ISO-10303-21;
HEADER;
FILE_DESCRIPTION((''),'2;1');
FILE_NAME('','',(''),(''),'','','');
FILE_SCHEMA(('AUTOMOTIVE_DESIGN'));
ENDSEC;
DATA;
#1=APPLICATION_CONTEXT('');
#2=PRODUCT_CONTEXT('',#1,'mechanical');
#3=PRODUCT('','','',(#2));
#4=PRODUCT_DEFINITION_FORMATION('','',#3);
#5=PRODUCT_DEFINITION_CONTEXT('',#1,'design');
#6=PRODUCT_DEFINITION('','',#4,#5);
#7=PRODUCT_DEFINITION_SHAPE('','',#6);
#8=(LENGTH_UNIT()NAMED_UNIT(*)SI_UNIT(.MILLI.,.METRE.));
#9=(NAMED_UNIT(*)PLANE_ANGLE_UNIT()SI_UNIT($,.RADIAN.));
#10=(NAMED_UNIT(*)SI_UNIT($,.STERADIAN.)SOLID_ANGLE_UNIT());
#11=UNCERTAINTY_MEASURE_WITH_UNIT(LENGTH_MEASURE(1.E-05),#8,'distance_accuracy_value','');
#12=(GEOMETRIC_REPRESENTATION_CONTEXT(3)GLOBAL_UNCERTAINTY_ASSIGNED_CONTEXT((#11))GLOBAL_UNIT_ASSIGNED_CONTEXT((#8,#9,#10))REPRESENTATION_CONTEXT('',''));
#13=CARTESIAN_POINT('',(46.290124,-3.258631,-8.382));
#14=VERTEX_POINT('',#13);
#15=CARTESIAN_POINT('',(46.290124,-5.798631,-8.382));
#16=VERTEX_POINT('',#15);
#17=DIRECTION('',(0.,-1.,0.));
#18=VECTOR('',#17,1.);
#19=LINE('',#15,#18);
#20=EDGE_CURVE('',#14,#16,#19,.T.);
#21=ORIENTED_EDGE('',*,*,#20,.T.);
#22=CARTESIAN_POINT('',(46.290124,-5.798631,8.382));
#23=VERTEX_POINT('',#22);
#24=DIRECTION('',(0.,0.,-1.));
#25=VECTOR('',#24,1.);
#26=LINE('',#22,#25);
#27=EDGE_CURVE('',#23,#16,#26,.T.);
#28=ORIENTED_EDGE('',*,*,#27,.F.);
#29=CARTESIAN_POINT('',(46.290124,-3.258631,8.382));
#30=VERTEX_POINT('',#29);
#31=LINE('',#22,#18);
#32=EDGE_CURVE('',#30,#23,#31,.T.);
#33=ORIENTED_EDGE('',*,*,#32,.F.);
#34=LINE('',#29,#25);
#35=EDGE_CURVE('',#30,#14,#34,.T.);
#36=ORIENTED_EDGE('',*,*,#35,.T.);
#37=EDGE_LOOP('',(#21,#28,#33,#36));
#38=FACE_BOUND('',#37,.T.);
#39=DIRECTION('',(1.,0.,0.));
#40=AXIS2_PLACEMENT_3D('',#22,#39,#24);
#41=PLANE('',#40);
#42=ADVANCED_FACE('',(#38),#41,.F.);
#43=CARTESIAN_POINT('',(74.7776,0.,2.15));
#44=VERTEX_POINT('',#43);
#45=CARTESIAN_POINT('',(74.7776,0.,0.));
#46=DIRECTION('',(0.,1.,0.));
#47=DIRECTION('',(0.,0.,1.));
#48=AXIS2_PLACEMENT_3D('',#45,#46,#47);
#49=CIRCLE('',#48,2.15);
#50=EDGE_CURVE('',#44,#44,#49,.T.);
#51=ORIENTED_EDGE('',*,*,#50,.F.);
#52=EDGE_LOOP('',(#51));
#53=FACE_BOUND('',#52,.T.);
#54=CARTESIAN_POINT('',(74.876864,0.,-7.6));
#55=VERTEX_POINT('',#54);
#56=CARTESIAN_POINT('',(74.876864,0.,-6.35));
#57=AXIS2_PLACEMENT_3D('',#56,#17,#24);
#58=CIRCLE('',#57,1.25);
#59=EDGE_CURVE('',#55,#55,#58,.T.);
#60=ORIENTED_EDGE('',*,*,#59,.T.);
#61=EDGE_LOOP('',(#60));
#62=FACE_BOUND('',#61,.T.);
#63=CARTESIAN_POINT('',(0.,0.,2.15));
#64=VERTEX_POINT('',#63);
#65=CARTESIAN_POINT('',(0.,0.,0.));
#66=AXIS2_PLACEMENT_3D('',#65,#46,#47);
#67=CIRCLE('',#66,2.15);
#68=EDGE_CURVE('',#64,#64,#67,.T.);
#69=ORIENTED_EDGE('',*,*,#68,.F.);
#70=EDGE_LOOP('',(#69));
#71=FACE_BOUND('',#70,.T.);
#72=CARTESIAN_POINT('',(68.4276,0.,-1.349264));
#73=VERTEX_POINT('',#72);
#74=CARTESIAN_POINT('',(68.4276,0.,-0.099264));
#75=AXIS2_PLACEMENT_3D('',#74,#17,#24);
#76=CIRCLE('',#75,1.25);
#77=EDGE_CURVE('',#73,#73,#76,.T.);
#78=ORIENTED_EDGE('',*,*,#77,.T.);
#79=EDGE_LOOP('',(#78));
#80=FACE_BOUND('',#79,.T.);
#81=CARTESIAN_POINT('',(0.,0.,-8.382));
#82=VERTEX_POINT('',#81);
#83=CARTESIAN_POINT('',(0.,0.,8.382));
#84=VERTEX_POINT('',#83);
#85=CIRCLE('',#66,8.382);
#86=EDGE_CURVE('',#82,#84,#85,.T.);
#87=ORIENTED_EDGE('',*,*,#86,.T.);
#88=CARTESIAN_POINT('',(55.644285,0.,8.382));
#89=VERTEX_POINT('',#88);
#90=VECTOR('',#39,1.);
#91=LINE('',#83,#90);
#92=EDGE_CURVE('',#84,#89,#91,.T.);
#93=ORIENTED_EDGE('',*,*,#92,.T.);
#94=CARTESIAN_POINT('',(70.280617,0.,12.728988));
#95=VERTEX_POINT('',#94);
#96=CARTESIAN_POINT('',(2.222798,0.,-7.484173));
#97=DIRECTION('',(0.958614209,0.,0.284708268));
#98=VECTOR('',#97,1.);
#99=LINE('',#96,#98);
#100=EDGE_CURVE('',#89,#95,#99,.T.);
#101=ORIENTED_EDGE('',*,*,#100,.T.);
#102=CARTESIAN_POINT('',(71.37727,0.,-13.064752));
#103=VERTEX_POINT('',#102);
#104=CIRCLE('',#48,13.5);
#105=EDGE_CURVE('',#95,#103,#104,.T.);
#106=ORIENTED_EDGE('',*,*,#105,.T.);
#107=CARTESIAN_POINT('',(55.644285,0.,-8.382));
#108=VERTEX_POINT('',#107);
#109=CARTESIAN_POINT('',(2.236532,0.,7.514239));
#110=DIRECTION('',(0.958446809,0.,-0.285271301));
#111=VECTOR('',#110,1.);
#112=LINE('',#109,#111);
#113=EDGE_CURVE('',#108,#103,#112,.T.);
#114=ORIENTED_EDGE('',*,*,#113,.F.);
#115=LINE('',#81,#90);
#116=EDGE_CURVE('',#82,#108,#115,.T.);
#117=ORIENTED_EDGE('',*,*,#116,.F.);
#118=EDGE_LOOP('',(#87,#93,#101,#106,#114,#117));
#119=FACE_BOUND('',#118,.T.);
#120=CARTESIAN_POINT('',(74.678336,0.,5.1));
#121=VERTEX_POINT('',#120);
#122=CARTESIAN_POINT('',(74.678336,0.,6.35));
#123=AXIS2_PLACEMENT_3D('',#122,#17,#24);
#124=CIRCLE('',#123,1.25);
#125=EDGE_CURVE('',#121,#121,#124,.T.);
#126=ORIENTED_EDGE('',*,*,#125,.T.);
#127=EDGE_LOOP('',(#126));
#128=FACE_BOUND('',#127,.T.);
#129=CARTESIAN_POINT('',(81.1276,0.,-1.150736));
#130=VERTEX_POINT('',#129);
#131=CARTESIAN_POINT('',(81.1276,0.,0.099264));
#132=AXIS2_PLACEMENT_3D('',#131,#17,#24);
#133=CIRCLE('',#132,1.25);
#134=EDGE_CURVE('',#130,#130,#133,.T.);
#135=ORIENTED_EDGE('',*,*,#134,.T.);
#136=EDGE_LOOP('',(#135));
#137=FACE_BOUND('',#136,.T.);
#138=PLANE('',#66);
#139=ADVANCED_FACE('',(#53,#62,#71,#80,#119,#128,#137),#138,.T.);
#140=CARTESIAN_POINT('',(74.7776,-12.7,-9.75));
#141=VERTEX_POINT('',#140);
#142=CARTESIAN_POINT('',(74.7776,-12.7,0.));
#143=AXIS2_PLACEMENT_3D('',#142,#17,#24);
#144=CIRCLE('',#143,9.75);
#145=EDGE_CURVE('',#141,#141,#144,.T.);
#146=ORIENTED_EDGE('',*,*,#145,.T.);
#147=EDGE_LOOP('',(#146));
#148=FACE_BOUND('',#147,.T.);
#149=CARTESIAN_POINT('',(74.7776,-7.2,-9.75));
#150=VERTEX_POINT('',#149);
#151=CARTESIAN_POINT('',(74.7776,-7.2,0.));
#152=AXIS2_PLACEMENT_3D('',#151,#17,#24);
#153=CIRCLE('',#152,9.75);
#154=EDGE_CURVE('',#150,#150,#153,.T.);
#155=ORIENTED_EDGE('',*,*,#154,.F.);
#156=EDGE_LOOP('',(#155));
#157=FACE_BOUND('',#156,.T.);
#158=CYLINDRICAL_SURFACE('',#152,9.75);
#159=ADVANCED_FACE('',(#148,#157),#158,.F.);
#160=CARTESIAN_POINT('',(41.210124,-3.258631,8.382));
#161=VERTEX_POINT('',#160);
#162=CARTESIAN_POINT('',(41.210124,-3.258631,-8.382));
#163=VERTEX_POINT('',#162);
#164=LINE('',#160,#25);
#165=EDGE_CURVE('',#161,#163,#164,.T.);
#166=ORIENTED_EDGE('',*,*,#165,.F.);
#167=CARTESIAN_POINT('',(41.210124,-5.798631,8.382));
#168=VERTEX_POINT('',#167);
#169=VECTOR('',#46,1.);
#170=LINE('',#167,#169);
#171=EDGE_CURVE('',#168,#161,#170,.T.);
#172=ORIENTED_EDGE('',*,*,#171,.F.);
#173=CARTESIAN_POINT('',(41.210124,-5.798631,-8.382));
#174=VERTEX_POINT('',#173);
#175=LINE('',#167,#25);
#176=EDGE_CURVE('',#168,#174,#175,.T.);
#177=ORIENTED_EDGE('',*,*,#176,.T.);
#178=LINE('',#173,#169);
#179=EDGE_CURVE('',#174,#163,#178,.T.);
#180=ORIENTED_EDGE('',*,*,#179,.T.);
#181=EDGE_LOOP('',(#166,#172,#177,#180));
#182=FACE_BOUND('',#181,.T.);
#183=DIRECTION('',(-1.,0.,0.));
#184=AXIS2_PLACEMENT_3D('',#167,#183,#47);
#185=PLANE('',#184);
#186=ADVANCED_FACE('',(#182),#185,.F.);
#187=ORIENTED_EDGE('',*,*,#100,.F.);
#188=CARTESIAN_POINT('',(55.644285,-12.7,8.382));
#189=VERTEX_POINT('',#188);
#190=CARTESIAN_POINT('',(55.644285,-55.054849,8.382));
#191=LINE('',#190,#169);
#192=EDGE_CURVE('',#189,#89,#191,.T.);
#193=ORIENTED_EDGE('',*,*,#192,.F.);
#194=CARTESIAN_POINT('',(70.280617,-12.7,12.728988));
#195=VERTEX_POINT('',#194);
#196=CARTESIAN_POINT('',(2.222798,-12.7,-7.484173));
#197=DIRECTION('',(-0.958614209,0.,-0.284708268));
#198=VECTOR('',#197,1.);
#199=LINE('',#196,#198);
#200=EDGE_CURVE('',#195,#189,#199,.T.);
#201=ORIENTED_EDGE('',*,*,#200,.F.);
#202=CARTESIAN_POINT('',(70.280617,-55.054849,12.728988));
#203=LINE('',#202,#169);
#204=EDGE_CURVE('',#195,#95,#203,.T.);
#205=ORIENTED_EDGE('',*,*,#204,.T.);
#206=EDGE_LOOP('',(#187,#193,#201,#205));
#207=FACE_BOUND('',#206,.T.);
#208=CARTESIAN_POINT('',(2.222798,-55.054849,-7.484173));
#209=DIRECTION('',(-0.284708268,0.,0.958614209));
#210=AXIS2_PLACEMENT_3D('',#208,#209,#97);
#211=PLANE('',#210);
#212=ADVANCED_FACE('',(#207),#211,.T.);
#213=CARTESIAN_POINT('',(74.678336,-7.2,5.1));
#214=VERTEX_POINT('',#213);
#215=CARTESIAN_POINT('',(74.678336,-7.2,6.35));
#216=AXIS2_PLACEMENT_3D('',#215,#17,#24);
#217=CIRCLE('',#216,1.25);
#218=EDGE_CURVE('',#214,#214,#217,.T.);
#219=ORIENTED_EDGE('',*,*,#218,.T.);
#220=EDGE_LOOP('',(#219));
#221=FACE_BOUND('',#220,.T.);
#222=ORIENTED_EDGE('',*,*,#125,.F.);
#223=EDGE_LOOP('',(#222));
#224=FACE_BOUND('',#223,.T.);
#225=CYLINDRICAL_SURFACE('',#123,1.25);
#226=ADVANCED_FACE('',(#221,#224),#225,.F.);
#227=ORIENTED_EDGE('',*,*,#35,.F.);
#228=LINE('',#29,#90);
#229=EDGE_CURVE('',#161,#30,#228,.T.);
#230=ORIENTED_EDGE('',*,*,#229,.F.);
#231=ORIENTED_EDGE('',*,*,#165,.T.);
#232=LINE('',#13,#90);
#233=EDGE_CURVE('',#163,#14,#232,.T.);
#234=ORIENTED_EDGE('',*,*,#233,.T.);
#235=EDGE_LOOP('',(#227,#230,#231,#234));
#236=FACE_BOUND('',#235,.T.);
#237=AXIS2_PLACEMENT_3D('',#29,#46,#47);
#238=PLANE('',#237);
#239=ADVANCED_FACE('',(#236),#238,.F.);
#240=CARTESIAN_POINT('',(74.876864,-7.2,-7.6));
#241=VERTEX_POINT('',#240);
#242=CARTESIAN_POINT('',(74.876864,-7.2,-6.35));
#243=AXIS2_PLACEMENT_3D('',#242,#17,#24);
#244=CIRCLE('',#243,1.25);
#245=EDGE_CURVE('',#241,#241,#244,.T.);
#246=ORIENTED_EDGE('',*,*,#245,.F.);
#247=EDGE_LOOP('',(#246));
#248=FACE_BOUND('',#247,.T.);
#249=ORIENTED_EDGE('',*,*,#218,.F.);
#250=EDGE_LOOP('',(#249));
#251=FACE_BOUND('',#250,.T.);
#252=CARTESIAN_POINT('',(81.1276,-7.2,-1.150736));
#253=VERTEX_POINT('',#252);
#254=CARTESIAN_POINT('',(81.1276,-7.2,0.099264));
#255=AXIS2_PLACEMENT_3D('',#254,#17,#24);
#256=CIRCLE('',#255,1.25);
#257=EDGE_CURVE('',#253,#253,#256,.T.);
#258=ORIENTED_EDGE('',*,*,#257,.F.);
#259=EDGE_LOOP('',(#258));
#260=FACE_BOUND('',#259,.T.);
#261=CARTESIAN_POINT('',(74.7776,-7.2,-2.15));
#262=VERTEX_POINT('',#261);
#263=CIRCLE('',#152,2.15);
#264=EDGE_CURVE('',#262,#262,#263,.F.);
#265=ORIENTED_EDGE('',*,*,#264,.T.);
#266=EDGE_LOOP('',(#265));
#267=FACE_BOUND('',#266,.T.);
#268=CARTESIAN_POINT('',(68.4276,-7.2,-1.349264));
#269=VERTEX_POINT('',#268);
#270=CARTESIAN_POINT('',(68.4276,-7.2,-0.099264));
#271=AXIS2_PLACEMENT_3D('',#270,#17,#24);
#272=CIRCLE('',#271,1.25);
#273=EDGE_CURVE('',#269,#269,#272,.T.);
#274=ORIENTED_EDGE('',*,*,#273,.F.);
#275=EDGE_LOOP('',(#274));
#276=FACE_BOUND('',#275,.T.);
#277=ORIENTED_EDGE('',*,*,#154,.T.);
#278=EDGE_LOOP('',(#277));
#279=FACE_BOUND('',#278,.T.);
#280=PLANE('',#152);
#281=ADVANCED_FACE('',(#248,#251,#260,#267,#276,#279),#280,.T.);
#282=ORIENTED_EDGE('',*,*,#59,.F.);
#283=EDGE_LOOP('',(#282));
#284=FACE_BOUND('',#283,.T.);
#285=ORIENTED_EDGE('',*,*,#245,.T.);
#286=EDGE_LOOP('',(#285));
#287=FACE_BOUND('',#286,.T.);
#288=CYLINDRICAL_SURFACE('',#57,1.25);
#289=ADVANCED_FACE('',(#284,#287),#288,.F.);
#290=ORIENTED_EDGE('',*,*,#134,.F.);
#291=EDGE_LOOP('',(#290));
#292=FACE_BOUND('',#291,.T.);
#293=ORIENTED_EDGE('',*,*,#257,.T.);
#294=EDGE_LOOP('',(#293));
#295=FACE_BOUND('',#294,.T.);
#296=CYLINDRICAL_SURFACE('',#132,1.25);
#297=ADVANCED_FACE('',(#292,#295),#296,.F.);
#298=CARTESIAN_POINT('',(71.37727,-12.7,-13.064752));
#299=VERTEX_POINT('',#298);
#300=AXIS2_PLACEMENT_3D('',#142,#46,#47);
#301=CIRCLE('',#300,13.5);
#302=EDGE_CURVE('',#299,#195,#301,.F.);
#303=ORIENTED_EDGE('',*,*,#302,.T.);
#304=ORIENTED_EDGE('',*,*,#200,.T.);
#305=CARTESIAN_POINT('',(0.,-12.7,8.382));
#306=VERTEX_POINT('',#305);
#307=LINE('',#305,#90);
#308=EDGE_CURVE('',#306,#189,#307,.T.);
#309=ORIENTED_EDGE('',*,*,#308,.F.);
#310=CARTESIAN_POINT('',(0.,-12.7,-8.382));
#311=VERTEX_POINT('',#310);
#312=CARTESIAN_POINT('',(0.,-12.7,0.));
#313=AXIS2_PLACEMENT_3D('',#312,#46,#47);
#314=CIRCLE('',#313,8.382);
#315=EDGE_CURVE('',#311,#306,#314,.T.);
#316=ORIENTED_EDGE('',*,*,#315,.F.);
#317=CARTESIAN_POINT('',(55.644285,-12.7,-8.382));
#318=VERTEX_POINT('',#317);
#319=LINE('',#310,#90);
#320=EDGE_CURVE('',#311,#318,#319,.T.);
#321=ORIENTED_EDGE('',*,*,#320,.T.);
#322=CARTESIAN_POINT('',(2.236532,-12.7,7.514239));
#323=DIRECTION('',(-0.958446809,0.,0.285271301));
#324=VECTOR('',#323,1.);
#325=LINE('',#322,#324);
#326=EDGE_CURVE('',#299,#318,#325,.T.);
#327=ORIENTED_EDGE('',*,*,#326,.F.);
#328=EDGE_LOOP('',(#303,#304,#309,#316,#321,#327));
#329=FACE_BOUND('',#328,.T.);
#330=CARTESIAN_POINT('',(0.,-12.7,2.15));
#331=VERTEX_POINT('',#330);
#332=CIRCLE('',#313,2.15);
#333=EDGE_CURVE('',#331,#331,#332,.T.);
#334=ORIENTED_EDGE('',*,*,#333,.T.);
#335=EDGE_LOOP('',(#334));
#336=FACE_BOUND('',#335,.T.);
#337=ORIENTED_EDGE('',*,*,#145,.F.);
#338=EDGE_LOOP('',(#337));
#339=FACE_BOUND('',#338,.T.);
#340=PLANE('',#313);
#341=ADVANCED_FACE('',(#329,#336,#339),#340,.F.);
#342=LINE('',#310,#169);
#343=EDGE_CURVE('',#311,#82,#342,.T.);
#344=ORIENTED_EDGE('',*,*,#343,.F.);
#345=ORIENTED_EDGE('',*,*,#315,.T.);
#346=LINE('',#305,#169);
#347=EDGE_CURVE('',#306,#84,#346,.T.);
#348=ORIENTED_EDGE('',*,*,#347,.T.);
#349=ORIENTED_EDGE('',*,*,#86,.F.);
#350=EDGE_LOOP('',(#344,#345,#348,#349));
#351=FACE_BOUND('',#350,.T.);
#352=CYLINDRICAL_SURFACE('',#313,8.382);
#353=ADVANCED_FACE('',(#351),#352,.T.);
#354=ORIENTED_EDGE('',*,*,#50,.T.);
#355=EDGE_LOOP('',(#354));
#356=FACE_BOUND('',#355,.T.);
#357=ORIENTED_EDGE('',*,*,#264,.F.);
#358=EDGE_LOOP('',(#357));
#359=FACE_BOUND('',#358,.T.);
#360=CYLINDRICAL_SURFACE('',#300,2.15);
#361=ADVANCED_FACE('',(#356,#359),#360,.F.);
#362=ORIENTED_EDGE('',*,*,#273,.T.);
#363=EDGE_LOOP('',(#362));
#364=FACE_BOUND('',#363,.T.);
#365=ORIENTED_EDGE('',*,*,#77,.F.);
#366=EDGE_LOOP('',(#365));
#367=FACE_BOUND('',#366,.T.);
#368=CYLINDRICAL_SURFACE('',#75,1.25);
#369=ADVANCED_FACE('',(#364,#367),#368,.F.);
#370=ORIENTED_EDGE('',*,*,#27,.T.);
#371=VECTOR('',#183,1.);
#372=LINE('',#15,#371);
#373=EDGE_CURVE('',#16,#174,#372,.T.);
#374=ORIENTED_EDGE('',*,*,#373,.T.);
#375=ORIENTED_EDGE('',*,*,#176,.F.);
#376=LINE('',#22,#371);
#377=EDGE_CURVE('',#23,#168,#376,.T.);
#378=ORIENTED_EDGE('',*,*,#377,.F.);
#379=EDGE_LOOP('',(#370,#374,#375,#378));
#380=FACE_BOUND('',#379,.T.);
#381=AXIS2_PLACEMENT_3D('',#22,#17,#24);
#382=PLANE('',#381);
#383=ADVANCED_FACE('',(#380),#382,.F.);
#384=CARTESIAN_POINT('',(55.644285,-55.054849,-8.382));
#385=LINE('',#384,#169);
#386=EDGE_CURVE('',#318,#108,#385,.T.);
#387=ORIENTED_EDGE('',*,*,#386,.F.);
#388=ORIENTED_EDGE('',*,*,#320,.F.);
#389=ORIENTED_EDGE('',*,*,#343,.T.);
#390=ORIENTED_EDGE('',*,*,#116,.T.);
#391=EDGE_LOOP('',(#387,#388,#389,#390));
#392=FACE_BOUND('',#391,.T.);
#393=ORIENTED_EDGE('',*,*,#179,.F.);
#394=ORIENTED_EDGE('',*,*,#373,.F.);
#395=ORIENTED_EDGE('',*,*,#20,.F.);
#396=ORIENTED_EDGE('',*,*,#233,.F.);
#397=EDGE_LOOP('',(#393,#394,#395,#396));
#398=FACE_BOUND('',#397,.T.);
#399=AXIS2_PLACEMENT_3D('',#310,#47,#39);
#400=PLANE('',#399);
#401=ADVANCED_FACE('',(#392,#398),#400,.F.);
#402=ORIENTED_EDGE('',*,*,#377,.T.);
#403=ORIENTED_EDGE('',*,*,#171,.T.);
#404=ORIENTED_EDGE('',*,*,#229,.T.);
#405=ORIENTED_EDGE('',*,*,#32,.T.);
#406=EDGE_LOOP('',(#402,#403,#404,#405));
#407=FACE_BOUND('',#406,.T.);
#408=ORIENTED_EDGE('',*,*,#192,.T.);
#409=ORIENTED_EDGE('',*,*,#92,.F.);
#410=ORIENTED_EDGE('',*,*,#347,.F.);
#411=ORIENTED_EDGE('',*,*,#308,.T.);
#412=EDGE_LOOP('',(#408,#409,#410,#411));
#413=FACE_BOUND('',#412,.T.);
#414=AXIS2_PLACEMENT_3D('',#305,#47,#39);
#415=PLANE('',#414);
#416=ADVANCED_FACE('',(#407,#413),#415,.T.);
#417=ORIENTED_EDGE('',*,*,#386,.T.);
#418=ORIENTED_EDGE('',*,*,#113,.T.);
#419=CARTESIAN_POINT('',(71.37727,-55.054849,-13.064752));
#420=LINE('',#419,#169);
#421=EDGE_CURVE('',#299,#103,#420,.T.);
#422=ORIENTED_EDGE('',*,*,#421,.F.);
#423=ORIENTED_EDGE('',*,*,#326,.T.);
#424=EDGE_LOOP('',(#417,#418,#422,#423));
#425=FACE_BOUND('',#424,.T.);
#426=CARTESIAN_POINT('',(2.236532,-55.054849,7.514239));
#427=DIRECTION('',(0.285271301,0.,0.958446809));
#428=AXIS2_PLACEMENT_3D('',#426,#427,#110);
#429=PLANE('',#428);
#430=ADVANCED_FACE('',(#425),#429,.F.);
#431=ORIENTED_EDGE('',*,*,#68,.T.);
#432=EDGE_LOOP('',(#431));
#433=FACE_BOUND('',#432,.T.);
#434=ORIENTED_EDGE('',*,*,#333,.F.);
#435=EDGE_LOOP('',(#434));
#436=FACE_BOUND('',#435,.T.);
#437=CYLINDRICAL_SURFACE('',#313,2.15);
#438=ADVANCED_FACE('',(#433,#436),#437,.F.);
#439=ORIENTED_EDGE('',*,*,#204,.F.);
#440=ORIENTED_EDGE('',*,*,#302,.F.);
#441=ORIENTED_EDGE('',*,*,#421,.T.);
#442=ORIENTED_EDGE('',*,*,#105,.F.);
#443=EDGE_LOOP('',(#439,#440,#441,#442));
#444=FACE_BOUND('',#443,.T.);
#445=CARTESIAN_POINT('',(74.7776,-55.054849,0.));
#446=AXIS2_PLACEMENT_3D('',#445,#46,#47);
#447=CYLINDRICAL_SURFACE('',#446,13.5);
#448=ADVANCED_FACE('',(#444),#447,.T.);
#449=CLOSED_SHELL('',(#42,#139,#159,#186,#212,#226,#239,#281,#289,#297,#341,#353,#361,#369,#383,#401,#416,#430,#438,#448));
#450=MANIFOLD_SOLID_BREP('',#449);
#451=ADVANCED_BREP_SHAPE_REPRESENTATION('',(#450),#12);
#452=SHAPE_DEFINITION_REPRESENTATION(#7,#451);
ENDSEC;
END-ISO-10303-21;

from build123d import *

# Parameters (mm, degrees)
SKETCH2_R               = 2.15
BOSS_EXTRUDE1_DEPTH     = 12.7
CUT_EXTRUDE1_DEPTH      = 86.777857097
CUT_EXTRUDE1_DEPTH_BACK = 86.777857097
SKETCH3_W               = 5.08
SKETCH3_H               = 2.54
BOSS_EXTRUDE2_DEPTH     = 12.7
SKETCH5_R               = 9.75
CUT_EXTRUDE2_DEPTH      = 5.5
CUT_EXTRUDE3_DEPTH      = 90.593664183
CUT_EXTRUDE3_DEPTH_BACK = 90.593664183
SKETCH6_R               = 1.25


with BuildPart() as part:
    # Sketch2 → Boss-Extrude1 (new body)
    with BuildSketch(Plane(origin=(0, 0, 0), x_dir=(1, 0, 0), z_dir=(0, 1, 0))):
        with BuildLine():
            Line((0, 8.382), (74.7776, 8.382))
            ThreePointArc((74.7776, 8.382), (83.1596, 0), (74.7776, -8.382))
            Line((74.7776, -8.382), (0, -8.382))
            ThreePointArc((0, -8.382), (-8.382, 0), (0, 8.382))
        make_face()
        with Locations(Location((0, 0, 0), (0, 0, 270))):
            Circle(SKETCH2_R, mode=Mode.SUBTRACT)
        with Locations(Location((74.7776, 0, 0), (0, 0, 270))):
            Circle(SKETCH2_R, mode=Mode.SUBTRACT)
    extrude(amount=-BOSS_EXTRUDE1_DEPTH)

    # Sketch3 → Cut-Extrude1 (cut, two sides: drawn at the far end of the back side and taken through both)
    with BuildSketch(Plane(origin=(0, 0, -8.382), x_dir=(-1, 0, 0), z_dir=(0, 0, -1)).offset(-CUT_EXTRUDE1_DEPTH_BACK)):
        with Locations((-43.750123937, -4.528631303)):
            Rectangle(SKETCH3_W, SKETCH3_H)
    extrude(amount=CUT_EXTRUDE1_DEPTH + CUT_EXTRUDE1_DEPTH_BACK, mode=Mode.SUBTRACT)

    # Sketch4 → Boss-Extrude2 (add)
    with BuildSketch(Plane(origin=(0, 0, 0), x_dir=(1, 0, 0), z_dir=(0, 1, 0))):
        with BuildLine():
            Line((71.377269841, 13.064752382), (70.480233935, 12.79775937))
            ThreePointArc((70.480233935, 12.79775937), (67.016909963, 11.04634284), (64.194969136, 8.382))
            Line((64.194969136, 8.382), (74.7776, 8.382))
            ThreePointArc((74.7776, 8.382), (83.1596, 0), (74.7776, -8.382))
            Line((74.7776, -8.382), (64.194969136, -8.382))
            ThreePointArc((64.194969136, -8.382), (66.930768284, -10.985318931), (70.280616628, -12.728988198))
            ThreePointArc((70.280616628, -12.728988198), (82.573134763, -11.021780154), (88.2776, 0))
            ThreePointArc((88.2776, 0), (83.034280412, 10.680694199), (71.377269841, 13.064752382))
        make_face()
        with BuildLine():
            Line((70.480233935, 12.79775937), (55.644284932, 8.382))
            Line((55.644284932, 8.382), (64.194969136, 8.382))
            ThreePointArc((64.194969136, 8.382), (67.016909963, 11.04634284), (70.480233935, 12.79775937))
        make_face()
        with BuildLine():
            ThreePointArc((70.280616628, -12.728988198), (66.930768284, -10.985318931), (64.194969136, -8.382))
            Line((64.194969136, -8.382), (55.644284932, -8.382))
            Line((55.644284932, -8.382), (70.280616628, -12.728988198))
        make_face()
    extrude(amount=-BOSS_EXTRUDE2_DEPTH)

    # Sketch5 → Cut-Extrude2 (cut)
    with BuildSketch(Plane(origin=(0, -12.7, 0), x_dir=(-1, 0, 0), z_dir=(0, -1, 0))):
        with Locations(Location((-74.7776, 0, 0), (0, 0, 90))):
            Circle(SKETCH5_R)
    extrude(amount=-CUT_EXTRUDE2_DEPTH, mode=Mode.SUBTRACT)

    # Sketch6 → Cut-Extrude3 (cut, two sides: drawn at the far end of the back side and taken through both)
    with BuildSketch(Plane(origin=(0, -7.2, 0), x_dir=(-1, 0, 0), z_dir=(0, -1, 0)).offset(-CUT_EXTRUDE3_DEPTH_BACK)):
        with Locations(Location((-74.876863781, 6.35, 0), (0, 0, 90))):
            Circle(SKETCH6_R)
        with Locations(Location((-68.4276, 0.099263781, 0), (0, 0, 90))):
            Circle(SKETCH6_R)
        with Locations(Location((-74.678336219, -6.35, 0), (0, 0, 90))):
            Circle(SKETCH6_R)
        with Locations(Location((-81.1276, -0.099263781, 0), (0, 0, 90))):
            Circle(SKETCH6_R)
    extrude(amount=CUT_EXTRUDE3_DEPTH + CUT_EXTRUDE3_DEPTH_BACK, mode=Mode.SUBTRACT)


solid = part.part
